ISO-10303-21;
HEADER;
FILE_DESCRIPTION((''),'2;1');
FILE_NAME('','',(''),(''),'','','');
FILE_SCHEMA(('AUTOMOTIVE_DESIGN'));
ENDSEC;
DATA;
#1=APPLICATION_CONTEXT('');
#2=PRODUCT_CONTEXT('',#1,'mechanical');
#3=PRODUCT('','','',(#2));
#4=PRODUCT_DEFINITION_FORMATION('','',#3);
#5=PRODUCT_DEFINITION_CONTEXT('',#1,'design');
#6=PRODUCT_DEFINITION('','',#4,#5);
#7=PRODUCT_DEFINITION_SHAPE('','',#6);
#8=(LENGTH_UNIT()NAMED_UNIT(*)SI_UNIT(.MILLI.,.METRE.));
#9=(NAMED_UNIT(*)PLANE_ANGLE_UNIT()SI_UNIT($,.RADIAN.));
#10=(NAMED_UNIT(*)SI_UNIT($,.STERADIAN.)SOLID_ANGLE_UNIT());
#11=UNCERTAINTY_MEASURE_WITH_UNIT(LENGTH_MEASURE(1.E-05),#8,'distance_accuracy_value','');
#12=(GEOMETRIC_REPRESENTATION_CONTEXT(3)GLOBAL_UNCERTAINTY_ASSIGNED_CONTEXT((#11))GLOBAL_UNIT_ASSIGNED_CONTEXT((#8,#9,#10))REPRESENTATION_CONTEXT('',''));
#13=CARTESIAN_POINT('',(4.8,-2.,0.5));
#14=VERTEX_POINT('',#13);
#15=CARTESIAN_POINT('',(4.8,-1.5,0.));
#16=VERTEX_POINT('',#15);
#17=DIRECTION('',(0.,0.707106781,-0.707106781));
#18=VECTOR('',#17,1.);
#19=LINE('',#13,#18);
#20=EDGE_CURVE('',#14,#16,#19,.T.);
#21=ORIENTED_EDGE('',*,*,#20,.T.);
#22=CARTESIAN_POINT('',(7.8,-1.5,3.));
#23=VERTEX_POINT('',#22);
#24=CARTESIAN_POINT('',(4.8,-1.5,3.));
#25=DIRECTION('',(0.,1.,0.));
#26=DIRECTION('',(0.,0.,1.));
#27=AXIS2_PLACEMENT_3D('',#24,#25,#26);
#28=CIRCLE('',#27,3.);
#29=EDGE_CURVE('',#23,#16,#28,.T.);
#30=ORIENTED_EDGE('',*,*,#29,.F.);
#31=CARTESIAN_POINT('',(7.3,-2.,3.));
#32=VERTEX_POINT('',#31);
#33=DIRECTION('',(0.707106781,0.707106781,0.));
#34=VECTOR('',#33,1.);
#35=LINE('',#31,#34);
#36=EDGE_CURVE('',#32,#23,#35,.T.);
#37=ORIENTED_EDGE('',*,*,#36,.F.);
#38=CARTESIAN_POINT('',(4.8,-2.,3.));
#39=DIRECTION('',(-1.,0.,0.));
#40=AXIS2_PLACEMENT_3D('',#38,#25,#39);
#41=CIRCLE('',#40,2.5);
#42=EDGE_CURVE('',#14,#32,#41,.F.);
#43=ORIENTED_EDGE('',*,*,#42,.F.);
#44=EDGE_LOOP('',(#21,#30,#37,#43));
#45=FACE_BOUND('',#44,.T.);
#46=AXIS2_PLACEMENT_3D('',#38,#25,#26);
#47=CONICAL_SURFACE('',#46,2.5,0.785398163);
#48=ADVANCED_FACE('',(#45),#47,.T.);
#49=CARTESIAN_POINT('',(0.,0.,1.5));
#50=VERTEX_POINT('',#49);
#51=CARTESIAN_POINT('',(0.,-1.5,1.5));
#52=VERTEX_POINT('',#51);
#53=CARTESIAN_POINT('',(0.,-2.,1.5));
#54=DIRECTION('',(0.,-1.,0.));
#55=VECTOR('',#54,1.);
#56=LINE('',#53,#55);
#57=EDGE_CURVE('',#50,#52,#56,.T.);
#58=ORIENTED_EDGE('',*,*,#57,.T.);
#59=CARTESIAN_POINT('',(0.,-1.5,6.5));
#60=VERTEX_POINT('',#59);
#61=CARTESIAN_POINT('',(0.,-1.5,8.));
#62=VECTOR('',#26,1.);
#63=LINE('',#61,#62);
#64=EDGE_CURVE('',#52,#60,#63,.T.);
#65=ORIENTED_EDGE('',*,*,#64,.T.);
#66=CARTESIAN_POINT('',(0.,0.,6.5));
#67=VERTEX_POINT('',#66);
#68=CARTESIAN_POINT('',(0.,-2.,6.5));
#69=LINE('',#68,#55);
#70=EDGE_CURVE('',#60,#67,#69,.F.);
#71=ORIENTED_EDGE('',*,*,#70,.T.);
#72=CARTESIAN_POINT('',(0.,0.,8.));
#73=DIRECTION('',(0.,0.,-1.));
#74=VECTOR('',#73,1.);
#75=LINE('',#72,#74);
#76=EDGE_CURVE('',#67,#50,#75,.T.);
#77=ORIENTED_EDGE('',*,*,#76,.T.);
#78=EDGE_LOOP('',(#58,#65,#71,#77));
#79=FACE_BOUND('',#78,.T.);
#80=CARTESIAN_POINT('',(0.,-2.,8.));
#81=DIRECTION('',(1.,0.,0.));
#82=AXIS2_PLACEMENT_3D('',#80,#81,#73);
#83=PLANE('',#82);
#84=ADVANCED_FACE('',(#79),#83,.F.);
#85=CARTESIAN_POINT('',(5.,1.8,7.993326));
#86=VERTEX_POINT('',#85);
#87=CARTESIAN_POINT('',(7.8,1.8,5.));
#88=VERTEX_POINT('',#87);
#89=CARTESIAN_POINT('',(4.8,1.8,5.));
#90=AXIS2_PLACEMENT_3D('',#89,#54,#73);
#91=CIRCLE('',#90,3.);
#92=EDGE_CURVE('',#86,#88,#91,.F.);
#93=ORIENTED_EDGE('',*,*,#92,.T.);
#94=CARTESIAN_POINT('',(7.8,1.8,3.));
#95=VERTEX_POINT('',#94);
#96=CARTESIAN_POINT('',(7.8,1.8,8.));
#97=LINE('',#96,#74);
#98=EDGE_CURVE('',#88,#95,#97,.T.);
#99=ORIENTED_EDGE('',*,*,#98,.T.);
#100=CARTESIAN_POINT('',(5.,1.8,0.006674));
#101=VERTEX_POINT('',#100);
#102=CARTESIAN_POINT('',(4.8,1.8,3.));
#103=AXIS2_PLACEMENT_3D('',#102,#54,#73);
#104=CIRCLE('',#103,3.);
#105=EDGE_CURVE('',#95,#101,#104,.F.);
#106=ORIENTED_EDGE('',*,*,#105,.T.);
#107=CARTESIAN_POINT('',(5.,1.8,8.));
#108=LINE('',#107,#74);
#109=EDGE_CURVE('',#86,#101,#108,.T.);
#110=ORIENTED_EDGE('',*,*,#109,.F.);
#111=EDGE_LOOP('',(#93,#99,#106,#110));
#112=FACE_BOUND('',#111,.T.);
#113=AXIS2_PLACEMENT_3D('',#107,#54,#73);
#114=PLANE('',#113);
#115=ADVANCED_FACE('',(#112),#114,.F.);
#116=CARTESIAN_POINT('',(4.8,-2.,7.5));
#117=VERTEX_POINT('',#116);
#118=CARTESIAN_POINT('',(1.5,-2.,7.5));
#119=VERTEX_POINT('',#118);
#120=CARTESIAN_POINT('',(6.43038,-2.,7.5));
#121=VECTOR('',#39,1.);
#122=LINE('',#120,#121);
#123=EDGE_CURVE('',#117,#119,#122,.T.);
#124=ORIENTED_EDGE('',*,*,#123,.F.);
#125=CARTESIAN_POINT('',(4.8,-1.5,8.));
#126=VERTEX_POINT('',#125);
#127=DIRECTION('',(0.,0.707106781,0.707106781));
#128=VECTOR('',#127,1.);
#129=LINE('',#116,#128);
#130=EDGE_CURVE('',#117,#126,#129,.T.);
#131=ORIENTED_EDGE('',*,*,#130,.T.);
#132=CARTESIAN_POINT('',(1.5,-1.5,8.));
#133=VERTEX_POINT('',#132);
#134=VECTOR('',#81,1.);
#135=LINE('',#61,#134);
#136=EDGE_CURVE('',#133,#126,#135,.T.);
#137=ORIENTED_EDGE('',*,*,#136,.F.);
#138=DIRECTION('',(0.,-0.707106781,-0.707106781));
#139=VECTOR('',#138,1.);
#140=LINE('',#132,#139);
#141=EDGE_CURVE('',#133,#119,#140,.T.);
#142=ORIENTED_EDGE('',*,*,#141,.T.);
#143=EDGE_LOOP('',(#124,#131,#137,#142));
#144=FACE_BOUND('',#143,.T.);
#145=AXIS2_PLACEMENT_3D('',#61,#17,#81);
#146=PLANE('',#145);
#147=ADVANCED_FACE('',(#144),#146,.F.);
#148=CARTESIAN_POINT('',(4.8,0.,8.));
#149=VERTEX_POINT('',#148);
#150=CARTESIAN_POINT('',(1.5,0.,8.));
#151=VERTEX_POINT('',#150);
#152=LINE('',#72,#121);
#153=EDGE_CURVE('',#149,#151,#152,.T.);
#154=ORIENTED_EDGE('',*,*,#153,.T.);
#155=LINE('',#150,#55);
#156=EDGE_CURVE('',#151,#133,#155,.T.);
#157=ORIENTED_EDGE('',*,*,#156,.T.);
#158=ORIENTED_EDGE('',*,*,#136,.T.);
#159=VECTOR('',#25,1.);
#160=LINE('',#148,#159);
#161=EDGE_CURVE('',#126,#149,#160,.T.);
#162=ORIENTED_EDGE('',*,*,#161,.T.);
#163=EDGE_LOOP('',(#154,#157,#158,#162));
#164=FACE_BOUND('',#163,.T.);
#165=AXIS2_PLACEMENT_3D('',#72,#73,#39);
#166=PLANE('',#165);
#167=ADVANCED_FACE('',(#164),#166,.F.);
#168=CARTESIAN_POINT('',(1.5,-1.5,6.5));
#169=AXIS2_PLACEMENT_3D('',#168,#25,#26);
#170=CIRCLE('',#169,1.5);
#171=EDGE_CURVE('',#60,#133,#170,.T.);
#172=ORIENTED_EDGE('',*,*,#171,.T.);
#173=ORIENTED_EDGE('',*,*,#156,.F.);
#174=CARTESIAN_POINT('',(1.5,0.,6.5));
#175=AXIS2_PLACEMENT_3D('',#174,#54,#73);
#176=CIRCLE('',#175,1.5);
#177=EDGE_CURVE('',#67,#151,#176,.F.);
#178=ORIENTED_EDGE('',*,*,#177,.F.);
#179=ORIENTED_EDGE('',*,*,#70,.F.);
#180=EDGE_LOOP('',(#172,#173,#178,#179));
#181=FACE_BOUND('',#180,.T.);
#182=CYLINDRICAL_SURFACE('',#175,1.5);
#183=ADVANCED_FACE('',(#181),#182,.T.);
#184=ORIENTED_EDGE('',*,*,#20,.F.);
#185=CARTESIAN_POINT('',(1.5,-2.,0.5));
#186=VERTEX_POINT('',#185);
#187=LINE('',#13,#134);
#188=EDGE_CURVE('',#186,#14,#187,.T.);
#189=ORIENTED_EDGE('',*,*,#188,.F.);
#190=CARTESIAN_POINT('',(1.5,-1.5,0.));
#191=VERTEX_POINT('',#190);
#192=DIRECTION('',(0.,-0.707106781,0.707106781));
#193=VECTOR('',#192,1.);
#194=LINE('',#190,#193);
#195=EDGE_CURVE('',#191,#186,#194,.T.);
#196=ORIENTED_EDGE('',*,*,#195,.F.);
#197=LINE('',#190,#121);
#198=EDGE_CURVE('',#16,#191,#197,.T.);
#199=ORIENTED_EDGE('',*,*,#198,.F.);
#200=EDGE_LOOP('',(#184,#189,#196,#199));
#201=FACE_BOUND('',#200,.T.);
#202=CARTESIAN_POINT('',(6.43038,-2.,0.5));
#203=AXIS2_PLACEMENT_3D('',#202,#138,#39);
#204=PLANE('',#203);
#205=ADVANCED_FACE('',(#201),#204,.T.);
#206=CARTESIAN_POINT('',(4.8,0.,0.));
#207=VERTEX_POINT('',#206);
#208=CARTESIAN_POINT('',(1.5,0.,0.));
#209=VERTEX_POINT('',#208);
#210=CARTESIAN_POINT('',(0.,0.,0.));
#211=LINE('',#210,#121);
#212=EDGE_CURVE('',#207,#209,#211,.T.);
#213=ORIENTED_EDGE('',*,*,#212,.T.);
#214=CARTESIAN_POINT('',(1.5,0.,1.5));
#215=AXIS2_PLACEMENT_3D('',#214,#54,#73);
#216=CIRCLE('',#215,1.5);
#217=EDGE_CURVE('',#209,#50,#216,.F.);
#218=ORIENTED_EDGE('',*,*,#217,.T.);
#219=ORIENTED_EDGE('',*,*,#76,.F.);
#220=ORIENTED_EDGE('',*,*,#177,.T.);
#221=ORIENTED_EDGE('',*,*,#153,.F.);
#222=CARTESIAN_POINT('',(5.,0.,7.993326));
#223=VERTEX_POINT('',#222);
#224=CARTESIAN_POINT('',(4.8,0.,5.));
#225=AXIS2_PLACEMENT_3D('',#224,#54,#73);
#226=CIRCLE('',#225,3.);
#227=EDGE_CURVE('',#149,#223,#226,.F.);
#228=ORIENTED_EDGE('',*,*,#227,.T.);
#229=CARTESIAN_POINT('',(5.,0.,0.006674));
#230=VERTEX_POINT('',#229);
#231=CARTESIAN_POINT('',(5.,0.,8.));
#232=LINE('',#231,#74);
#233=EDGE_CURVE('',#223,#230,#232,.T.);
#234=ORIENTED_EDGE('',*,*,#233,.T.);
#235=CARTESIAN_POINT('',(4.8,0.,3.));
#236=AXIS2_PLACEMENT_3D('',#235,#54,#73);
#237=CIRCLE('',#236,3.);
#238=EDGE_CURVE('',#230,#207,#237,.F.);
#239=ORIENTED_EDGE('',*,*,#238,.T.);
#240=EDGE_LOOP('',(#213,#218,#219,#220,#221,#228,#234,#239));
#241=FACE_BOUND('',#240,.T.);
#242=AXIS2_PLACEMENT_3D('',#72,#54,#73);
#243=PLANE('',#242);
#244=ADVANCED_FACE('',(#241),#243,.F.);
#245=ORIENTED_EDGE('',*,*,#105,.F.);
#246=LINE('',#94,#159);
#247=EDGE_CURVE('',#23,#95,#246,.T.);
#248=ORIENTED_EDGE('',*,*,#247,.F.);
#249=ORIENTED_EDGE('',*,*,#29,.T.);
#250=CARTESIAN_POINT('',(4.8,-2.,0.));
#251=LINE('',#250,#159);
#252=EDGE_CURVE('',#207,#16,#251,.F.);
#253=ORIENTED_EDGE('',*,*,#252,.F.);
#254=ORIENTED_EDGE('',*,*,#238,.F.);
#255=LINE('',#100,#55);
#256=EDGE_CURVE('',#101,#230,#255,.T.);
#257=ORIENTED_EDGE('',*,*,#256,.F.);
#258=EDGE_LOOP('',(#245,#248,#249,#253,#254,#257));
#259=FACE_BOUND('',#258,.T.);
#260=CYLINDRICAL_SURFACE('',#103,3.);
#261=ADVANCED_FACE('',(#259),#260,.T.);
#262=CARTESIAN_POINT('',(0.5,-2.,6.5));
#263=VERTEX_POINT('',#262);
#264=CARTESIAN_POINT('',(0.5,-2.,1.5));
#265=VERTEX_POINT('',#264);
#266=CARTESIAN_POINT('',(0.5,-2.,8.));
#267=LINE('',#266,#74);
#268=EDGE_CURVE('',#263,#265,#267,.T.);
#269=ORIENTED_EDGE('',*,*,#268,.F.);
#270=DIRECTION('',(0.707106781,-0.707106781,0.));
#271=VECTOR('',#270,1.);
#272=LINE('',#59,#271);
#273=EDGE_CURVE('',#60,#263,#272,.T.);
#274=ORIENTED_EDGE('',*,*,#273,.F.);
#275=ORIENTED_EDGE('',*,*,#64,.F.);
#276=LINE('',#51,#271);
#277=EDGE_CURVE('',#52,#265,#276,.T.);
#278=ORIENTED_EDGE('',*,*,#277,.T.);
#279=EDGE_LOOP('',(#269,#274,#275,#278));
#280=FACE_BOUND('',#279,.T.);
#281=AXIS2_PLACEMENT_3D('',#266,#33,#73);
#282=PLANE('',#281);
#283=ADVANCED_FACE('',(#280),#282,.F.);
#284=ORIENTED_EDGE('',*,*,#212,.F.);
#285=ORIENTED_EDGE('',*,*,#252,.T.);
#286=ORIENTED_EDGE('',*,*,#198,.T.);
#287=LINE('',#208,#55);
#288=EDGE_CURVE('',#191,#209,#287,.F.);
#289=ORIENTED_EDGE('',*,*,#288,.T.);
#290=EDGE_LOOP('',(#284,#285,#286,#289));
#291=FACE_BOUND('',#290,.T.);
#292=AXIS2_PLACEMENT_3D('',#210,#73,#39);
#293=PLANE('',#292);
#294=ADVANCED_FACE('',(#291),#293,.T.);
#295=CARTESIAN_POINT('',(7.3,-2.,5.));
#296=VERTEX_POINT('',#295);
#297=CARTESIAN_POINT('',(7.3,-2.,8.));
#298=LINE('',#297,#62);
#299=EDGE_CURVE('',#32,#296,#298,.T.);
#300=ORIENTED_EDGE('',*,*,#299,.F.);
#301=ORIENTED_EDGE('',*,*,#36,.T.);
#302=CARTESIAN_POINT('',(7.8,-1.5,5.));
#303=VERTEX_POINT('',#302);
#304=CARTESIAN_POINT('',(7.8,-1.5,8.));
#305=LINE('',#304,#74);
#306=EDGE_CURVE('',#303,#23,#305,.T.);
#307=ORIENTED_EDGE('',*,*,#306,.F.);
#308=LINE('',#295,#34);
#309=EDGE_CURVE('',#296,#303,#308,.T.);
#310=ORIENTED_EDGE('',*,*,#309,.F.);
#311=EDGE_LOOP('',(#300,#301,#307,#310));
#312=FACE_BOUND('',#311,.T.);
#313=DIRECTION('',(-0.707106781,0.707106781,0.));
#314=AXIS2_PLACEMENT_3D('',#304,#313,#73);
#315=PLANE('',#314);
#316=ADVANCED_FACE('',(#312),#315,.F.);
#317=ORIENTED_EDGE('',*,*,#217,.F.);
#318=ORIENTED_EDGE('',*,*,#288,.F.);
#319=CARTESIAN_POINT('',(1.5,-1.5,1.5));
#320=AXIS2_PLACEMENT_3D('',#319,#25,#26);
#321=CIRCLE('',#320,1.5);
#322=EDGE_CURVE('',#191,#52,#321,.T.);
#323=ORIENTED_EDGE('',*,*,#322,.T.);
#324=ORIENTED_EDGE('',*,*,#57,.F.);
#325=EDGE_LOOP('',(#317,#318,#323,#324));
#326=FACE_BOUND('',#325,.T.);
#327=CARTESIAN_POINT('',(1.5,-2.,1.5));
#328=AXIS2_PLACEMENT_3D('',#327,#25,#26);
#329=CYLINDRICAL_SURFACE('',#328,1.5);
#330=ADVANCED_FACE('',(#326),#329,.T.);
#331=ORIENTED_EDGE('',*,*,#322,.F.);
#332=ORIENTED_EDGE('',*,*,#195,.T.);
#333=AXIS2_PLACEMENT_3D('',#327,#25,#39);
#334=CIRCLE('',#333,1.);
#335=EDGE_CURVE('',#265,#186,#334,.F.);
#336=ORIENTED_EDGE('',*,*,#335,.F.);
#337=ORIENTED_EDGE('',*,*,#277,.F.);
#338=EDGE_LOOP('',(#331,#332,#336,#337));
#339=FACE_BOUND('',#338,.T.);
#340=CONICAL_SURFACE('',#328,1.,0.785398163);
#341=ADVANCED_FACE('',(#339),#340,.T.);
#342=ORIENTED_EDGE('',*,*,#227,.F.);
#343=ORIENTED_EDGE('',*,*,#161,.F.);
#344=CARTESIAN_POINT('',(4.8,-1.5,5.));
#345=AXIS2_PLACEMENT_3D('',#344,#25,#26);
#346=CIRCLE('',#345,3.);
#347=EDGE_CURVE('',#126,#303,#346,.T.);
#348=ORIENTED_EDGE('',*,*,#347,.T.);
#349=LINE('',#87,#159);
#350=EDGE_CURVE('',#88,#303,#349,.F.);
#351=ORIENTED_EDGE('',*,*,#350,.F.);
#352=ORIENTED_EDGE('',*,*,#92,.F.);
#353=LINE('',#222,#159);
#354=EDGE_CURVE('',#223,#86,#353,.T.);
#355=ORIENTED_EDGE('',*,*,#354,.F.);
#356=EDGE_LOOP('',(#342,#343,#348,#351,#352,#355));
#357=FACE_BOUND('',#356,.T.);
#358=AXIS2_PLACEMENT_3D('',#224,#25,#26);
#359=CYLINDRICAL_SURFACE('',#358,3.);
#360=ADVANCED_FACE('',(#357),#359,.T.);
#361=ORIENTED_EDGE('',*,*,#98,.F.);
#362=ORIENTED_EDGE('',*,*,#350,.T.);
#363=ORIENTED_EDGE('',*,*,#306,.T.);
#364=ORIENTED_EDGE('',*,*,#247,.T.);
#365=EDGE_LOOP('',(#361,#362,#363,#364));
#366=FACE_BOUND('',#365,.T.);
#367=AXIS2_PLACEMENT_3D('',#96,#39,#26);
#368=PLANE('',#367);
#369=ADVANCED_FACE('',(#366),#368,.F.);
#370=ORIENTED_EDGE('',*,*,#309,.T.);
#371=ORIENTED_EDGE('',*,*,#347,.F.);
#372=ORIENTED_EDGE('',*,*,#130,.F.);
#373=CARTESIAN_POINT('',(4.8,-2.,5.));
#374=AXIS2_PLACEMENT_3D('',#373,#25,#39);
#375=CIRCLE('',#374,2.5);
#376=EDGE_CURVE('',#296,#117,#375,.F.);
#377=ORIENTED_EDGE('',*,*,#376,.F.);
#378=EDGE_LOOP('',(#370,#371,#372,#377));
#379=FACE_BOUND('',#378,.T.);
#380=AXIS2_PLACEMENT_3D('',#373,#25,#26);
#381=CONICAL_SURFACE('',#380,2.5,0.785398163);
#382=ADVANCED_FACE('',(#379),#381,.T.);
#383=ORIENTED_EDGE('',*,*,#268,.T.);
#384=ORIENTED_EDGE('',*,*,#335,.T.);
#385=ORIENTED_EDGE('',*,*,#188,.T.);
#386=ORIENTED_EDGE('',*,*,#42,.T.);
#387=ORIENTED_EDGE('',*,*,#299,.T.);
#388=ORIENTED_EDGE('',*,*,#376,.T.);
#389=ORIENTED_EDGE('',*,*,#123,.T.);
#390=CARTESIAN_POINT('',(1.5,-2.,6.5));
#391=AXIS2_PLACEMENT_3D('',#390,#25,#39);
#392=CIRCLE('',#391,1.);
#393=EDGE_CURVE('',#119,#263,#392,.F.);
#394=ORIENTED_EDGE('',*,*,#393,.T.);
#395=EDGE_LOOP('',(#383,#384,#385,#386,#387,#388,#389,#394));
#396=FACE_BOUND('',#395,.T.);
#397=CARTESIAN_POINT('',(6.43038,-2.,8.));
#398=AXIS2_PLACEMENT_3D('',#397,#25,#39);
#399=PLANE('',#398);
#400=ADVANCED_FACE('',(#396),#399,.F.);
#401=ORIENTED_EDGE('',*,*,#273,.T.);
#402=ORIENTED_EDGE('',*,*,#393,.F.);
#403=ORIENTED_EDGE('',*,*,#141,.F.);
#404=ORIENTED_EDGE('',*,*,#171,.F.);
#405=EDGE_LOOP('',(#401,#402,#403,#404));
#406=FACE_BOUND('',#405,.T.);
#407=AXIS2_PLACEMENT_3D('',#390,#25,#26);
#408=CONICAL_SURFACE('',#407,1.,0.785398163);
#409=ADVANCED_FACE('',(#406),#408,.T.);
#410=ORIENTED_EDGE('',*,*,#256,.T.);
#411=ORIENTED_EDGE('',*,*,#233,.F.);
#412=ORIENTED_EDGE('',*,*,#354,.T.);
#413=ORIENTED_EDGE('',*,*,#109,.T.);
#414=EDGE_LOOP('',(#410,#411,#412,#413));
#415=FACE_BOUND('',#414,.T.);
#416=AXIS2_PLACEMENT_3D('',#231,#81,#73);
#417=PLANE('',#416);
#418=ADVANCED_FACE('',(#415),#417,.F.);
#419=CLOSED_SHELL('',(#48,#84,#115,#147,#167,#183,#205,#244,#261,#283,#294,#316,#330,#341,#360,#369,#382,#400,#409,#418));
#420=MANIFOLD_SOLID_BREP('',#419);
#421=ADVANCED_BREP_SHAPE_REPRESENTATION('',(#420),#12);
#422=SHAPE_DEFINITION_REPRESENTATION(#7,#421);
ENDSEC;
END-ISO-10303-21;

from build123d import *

# Parameters (mm, degrees)
BOSS_EXTRUDE1_DEPTH = 8
FILLET1_R           = 3
FILLET2_R           = 1.5
CHAMFER1_SIZE       = 0.5


with BuildPart() as part:
    # Sketch1 → Boss-Extrude1 (new body)
    with BuildSketch(Plane.XY):
        Polygon((0, 0), (5, 0), (5, 1.8), (7.8, 1.8), (7.8, 0), (7.8, -0.329113924), (7.8, -2), (6.430379747, -2), (0, -2), align=None)
    extrude(amount=BOSS_EXTRUDE1_DEPTH)

    # Fillet1
    fillet1_edges = [part.edges().sort_by_distance(p)[0] for p in [
        (7.8, -0.1, 0),
        (7.8, -0.1, 8),
    ]]
    fillet(fillet1_edges, radius=FILLET1_R)

    # Fillet2
    fillet2_edges = [part.edges().sort_by_distance(p)[0] for p in [
        (0, -1, 0),
        (0, -1, 8),
    ]]
    fillet(fillet2_edges, radius=FILLET2_R)

    # Chamfer1
    chamfer1_edges = [part.edges().sort_by_distance(p)[0] for p in [
        (7.8, -2, 4),
        (6.921320344, -2, 7.121320344),
        (6.921320344, -2, 0.878679656),
        (0, -2, 4),
        (3.15, -2, 0),
        (3.15, -2, 8),
        (0.439339828, -2, 7.560660172),
        (0.439339828, -2, 0.439339828),
    ]]
    chamfer(chamfer1_edges, length=CHAMFER1_SIZE)


solid = part.part
